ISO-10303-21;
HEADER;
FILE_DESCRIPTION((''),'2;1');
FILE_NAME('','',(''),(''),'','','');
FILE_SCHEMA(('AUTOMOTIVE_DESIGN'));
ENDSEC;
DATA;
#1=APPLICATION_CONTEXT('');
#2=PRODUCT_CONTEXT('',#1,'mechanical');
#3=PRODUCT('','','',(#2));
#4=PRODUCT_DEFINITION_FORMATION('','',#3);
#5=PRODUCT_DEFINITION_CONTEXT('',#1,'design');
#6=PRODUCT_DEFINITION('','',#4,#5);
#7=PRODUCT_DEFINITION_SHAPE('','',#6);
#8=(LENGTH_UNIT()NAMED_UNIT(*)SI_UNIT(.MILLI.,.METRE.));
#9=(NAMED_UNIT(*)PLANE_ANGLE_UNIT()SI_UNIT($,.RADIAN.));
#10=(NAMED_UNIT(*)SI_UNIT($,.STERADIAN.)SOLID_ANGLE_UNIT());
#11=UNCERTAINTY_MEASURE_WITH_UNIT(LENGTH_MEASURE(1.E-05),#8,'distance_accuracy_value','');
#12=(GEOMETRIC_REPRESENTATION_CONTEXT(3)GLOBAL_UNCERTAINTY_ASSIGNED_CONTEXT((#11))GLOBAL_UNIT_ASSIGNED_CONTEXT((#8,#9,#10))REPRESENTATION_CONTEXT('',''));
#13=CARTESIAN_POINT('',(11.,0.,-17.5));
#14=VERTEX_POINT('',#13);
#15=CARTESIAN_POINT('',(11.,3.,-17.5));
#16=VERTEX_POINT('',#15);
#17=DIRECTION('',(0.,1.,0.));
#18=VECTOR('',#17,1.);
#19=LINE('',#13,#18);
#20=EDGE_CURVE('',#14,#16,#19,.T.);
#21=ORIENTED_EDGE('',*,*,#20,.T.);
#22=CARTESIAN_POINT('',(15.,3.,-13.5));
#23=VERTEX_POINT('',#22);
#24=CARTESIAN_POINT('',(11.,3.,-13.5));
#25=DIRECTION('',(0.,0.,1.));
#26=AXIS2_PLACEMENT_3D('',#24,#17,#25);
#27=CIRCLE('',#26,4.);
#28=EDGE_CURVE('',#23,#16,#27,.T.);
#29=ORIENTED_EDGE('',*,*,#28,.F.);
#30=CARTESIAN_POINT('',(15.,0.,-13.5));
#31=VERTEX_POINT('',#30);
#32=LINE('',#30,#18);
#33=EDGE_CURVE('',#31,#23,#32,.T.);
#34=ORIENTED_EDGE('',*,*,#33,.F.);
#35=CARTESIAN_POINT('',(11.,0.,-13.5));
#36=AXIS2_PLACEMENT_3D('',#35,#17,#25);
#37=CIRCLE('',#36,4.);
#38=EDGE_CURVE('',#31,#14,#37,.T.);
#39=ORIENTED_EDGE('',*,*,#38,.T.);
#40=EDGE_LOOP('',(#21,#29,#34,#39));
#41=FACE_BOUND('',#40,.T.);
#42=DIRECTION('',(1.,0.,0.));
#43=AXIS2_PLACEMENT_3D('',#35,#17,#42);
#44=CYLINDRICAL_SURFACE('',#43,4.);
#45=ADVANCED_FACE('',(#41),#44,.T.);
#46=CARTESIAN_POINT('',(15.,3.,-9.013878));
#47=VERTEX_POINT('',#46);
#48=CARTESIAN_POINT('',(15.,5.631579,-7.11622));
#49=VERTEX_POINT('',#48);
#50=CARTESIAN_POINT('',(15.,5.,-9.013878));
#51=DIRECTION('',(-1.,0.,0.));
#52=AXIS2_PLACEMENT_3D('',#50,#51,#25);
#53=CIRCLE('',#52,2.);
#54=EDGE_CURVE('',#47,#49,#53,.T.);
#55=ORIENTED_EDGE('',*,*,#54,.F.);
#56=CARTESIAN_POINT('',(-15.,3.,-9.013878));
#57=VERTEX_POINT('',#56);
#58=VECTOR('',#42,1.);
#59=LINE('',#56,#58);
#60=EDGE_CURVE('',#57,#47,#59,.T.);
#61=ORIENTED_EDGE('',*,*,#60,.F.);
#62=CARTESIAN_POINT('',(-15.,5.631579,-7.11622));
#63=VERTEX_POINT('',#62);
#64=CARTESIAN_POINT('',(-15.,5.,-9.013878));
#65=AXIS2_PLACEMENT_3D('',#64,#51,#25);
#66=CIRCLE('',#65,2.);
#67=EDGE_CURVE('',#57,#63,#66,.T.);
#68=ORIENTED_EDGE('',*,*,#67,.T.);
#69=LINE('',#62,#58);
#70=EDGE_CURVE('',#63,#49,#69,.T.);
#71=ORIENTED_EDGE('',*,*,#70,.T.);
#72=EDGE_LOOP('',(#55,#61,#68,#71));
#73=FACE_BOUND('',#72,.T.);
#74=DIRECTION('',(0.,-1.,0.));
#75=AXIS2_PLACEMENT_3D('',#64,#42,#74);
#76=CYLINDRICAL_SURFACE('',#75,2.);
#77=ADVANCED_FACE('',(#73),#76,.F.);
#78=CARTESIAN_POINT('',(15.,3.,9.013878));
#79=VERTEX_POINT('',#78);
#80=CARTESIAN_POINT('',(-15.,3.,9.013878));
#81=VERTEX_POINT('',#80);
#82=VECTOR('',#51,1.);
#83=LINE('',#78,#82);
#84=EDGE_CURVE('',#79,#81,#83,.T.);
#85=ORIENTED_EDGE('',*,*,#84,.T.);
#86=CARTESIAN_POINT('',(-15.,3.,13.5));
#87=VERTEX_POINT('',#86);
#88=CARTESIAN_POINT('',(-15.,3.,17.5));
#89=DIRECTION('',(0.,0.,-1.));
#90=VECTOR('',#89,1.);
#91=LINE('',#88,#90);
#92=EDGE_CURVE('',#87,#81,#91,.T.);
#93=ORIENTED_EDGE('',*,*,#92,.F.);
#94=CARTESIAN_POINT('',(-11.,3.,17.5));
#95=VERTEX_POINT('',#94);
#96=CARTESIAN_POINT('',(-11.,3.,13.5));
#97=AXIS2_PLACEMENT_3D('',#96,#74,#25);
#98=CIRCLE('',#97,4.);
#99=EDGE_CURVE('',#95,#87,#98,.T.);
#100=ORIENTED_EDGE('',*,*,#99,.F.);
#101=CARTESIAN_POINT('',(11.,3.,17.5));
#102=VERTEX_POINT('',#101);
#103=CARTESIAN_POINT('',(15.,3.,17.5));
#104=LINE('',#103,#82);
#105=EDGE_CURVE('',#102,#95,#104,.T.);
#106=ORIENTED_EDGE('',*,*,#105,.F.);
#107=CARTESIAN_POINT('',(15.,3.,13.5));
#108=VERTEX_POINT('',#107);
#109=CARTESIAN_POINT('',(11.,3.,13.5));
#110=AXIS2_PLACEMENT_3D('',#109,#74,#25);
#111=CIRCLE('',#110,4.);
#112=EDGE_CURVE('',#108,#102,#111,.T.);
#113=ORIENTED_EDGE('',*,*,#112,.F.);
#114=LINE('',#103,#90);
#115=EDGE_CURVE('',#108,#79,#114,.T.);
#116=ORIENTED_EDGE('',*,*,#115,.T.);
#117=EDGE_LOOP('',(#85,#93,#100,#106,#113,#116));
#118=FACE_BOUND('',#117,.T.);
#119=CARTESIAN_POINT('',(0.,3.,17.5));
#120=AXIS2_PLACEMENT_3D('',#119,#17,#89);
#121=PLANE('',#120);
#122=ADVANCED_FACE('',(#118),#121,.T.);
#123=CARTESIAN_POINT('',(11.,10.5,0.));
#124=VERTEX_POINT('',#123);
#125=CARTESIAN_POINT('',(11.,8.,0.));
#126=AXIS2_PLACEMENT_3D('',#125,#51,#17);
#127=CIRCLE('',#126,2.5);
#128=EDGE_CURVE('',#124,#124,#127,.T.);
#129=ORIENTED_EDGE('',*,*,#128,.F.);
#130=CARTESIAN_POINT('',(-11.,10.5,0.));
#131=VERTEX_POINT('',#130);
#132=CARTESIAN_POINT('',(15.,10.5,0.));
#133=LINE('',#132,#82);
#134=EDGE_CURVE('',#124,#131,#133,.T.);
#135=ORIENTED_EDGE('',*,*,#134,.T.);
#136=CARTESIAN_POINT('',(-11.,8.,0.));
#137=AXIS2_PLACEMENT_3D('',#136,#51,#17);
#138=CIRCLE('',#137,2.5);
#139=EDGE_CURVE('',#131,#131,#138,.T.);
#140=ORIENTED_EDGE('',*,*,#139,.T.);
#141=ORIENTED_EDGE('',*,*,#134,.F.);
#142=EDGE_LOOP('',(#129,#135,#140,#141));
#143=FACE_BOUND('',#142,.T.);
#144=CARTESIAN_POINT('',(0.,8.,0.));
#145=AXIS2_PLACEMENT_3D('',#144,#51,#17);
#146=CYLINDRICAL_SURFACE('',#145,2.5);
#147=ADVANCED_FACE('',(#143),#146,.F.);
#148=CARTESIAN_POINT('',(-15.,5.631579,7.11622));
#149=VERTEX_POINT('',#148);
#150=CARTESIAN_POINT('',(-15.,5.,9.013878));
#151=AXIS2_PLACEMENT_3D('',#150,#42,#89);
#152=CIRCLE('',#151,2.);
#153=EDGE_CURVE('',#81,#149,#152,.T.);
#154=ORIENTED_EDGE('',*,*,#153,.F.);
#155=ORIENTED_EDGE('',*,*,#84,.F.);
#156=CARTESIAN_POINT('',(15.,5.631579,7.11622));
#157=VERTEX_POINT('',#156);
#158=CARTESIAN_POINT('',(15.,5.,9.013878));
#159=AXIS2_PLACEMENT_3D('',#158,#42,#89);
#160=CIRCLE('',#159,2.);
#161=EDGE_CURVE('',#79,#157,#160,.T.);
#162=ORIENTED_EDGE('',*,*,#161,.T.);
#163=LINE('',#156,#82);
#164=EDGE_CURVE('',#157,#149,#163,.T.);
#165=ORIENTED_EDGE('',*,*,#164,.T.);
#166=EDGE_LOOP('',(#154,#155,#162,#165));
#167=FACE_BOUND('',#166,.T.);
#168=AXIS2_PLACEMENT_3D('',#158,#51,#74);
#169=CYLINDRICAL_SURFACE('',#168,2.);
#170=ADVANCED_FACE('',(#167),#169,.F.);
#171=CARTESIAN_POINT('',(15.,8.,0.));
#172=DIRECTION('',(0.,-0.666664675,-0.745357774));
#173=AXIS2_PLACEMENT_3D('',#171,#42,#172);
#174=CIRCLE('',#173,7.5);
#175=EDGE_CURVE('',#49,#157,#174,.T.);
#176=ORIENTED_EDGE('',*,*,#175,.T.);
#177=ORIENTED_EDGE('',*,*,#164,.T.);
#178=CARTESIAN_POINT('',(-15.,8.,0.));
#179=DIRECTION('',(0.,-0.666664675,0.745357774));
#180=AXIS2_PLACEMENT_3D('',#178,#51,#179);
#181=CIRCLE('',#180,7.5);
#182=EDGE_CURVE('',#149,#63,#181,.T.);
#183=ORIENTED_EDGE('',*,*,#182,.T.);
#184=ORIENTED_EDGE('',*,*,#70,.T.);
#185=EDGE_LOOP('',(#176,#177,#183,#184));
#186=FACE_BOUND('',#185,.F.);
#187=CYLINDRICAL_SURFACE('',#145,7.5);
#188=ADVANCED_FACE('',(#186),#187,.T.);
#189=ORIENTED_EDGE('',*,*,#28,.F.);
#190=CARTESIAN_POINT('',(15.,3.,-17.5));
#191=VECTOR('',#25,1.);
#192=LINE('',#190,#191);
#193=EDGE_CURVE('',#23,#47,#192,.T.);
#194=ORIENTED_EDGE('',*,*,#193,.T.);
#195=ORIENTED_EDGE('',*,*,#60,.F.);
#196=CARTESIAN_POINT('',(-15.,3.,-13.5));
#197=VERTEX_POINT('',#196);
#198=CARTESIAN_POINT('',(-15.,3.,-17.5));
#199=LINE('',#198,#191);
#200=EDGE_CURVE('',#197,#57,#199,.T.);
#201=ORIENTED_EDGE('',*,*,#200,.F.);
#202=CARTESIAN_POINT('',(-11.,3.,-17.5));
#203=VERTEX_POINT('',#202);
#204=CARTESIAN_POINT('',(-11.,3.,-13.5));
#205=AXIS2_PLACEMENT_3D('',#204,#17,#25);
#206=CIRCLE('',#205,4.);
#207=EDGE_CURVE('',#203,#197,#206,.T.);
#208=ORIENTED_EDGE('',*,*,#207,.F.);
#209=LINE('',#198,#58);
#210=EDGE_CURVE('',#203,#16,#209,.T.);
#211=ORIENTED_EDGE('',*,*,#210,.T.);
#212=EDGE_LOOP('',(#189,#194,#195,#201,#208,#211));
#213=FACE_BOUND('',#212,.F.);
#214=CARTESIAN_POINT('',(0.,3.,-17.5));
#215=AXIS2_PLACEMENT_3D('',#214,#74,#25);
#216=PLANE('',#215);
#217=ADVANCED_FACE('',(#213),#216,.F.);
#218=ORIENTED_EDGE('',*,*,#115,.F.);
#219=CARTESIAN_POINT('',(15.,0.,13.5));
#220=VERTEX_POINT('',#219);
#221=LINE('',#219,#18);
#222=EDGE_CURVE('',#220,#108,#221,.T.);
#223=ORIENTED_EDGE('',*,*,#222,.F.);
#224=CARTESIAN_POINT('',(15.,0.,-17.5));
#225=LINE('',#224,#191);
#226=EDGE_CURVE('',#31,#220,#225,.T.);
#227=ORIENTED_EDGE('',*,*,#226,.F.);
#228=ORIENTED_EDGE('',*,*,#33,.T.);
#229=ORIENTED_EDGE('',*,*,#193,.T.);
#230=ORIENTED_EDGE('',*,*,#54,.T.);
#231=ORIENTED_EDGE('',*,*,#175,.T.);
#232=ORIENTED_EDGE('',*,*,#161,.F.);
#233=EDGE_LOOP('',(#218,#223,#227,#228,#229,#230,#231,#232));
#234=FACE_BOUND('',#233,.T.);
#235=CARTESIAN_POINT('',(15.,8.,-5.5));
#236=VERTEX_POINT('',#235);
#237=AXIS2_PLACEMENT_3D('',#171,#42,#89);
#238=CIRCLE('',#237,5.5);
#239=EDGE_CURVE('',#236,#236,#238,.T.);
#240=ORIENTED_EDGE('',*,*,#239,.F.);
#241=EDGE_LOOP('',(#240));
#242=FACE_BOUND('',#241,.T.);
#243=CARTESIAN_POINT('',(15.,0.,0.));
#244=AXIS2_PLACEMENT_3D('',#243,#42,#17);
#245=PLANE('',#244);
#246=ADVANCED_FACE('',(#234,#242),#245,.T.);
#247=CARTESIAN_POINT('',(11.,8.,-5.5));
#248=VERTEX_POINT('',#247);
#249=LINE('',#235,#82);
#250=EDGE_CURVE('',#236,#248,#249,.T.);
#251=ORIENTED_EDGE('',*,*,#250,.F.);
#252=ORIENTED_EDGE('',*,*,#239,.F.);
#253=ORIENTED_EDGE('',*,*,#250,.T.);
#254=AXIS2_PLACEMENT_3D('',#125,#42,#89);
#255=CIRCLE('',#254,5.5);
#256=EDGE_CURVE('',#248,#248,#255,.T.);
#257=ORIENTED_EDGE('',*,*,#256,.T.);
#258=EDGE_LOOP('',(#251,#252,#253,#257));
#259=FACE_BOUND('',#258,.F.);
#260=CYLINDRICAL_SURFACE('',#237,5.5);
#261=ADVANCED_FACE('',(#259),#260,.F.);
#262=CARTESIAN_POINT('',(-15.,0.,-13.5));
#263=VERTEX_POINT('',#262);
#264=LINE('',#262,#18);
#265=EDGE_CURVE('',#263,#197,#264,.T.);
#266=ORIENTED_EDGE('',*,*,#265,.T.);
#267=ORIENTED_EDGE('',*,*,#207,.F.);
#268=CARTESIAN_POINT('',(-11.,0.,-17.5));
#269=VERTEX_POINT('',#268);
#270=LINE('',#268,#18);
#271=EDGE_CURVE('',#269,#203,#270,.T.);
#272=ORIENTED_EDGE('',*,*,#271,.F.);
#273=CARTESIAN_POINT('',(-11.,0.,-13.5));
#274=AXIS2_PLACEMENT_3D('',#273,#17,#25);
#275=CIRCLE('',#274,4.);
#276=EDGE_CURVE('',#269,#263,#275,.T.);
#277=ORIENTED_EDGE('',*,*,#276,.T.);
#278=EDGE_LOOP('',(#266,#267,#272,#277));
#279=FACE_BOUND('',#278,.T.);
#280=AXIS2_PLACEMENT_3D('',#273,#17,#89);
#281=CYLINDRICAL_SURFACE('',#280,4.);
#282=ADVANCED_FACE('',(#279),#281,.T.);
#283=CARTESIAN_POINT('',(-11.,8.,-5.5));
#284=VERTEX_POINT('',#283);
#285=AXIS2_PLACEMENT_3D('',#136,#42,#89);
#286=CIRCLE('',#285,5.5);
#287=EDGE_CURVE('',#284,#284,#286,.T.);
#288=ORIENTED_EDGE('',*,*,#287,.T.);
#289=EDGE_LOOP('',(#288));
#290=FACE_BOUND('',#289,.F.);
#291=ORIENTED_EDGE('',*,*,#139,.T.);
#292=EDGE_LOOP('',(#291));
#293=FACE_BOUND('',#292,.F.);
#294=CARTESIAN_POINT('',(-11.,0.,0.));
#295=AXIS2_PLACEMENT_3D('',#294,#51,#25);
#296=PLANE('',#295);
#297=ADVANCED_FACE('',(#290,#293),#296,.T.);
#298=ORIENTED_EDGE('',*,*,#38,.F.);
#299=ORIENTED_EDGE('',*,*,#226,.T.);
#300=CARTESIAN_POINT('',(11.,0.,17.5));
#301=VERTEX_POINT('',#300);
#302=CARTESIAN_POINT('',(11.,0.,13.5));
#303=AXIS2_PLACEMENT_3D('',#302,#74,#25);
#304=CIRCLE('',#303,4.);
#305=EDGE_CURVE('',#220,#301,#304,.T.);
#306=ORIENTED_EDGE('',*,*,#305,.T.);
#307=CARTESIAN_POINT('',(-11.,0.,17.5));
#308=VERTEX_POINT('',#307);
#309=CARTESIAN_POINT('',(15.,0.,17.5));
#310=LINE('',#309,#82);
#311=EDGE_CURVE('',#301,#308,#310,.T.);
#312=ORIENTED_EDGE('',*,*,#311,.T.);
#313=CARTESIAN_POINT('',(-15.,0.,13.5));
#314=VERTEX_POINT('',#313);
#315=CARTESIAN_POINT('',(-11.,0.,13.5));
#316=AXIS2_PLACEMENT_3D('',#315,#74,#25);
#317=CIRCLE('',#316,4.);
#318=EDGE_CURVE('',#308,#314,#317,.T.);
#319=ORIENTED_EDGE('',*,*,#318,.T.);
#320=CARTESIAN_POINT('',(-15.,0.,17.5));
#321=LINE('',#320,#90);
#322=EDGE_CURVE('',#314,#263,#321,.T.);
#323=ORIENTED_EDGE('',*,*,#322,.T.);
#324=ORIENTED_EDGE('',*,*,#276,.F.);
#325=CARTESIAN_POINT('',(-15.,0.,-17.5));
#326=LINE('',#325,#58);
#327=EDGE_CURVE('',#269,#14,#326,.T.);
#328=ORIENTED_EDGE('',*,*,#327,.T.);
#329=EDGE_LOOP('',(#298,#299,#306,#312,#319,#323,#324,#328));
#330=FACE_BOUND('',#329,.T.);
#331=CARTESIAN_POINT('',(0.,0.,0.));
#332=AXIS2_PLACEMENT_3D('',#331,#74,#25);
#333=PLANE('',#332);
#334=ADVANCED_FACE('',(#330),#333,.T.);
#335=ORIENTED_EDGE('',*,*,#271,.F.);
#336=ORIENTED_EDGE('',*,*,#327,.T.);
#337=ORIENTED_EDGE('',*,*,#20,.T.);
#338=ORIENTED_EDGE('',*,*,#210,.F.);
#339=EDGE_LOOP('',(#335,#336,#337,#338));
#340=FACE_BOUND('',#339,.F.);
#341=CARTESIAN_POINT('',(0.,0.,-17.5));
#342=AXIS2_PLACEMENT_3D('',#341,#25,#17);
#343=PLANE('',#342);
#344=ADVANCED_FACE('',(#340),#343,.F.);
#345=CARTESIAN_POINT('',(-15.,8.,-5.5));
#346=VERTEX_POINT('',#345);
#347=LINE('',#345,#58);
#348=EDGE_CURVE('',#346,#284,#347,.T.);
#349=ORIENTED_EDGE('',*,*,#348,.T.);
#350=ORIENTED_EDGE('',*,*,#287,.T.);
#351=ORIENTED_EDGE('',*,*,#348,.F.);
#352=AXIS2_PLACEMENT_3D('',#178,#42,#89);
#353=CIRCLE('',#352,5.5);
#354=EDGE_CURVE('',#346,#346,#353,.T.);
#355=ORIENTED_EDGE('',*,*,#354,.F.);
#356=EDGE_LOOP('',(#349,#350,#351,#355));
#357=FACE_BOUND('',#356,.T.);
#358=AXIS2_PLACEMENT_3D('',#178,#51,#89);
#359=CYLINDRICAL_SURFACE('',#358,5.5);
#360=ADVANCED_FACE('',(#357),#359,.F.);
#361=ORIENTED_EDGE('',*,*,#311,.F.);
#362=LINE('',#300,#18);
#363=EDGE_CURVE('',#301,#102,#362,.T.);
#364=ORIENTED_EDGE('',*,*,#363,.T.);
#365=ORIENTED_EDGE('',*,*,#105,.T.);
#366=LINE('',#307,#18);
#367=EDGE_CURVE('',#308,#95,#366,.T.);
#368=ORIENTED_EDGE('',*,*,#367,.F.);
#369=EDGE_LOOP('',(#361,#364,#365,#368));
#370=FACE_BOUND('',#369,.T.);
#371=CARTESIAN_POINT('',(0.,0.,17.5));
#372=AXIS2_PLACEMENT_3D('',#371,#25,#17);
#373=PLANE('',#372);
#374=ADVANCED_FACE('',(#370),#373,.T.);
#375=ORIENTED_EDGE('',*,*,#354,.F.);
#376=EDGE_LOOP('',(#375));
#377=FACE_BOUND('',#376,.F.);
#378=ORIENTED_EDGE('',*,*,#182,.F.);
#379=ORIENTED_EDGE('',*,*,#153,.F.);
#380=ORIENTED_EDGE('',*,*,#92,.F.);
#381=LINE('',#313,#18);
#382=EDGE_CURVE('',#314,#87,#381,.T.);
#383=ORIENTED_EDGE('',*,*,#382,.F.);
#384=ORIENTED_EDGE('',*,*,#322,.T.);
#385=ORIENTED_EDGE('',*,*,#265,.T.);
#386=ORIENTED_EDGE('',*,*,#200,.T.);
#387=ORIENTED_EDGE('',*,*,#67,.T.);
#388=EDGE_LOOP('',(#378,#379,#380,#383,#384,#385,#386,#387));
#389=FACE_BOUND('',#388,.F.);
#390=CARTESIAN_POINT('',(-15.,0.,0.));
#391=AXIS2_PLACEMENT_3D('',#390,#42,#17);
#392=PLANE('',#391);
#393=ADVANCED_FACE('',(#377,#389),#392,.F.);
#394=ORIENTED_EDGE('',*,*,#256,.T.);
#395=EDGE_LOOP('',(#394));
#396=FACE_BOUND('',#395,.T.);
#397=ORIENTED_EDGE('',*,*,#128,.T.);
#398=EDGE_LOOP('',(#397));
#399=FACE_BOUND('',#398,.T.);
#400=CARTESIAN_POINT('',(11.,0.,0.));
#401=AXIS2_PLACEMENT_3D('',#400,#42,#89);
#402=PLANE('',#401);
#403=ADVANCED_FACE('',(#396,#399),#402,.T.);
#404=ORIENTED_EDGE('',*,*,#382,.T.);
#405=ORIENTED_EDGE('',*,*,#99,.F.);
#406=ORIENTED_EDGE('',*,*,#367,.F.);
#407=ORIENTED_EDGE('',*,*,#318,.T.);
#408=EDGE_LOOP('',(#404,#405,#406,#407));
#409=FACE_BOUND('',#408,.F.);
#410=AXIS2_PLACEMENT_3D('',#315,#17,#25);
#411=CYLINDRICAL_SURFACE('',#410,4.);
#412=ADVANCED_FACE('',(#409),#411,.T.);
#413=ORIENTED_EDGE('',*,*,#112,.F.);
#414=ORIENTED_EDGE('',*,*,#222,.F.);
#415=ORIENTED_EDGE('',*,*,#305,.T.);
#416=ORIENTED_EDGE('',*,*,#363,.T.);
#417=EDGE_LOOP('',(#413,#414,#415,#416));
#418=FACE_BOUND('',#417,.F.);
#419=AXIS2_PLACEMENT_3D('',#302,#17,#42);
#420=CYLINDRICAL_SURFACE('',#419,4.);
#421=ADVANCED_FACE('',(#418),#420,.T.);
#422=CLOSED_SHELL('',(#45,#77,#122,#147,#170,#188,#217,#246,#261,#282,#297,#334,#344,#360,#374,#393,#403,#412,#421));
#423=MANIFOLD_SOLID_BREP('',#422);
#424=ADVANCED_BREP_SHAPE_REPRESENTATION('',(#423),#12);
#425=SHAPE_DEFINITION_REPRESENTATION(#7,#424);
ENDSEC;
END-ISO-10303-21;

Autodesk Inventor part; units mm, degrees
ref_plane "YZ Plane" through (0, 0, 0) normal (1, 0, 0) x (0, 1, 0)
ref_plane "XZ Plane" through (0, 0, 0) normal (0, 1, 0) x (-1, 0, 0)
ref_plane "XY Plane" through (0, 0, 0) normal (0, 0, 1) x (1, 0, 0)
sketch "Esboço10" plane through (0, 0, 0) normal (1, 0, 0) x (0, 1, 0)
  line L0 (0, 0) -> (0, 17.5)
  line L1 (0, 0) -> (0, -17.5)
  line L2 (0, 17.5) -> (3, 17.5)
  circle A0 centre (8, 0) radius 2.5
  circle A1 centre (8, 0) radius 7.5
  line L3 (3, 17.5) -> (3, 5.5902)
  line L4 (0, -17.5) -> (3, -17.5)
  line L5 (3, -17.5) -> (3, -5.5902)
  dimension "d67" = 17.5
  dimension "d68" = 17.5
  dimension "d69" = 3
  dimension "d70" = 5
  dimension "d71" = 15
  dimension "d93" = 3
  dimension "d94" = 0
  dimension "d97" = 8
extrude "Extrusão7" add sketch "Esboço10" along normal mid plane 30
fillet "Arredondamento5" radius 2 2 edges at (0, 3, 5.5902) (0, 3, -5.5902)
fillet "Arredondamento6" radius 4 4 edges at (15, 1.5, 17.5) (15, 1.5, -17.5) (-15, 1.5, 17.5) (-15, 1.5, -17.5)
sketch "Esboço15" plane through (15, 0, 0) normal (1, 0, 0) x (0, 0, -1)
  line L0 (13.5, 3) -> (13.5, 0) projected
  line L1 (13.5, 3) -> (9.0139, 3) projected
  arc A0 (7.1162, 5.6316) -> (9.0139, 3) centre (9.0139, 5) ccw projected
  arc A1 (7.1162, 5.6316) -> (-7.1162, 5.6316) centre (0, 8) ccw projected
  arc A2 (-9.0139, 3) -> (-7.1162, 5.6316) centre (-9.0139, 5) ccw projected
  line L2 (-9.0139, 3) -> (-13.5, 3) projected
  line L3 (-13.5, 0) -> (-13.5, 3) projected
  line L4 (-13.5, 0) -> (13.5, 0) projected
  circle A3 centre (0, 8) radius 2.5 projected
  circle A4 centre (0, 8) radius 5.5
  point P0 (0, 0)
  dimension "d98" = 11
extrude "Extrusão11" cut sketch "Esboço15" against normal blind 4 contours A4
mirror "Espelhar1" about plane through (0, 0, 0) normal (1, 0, 0) of "Extrusão11"
equation "\"d68\" = d67"
properties part number "encaixeBase"
